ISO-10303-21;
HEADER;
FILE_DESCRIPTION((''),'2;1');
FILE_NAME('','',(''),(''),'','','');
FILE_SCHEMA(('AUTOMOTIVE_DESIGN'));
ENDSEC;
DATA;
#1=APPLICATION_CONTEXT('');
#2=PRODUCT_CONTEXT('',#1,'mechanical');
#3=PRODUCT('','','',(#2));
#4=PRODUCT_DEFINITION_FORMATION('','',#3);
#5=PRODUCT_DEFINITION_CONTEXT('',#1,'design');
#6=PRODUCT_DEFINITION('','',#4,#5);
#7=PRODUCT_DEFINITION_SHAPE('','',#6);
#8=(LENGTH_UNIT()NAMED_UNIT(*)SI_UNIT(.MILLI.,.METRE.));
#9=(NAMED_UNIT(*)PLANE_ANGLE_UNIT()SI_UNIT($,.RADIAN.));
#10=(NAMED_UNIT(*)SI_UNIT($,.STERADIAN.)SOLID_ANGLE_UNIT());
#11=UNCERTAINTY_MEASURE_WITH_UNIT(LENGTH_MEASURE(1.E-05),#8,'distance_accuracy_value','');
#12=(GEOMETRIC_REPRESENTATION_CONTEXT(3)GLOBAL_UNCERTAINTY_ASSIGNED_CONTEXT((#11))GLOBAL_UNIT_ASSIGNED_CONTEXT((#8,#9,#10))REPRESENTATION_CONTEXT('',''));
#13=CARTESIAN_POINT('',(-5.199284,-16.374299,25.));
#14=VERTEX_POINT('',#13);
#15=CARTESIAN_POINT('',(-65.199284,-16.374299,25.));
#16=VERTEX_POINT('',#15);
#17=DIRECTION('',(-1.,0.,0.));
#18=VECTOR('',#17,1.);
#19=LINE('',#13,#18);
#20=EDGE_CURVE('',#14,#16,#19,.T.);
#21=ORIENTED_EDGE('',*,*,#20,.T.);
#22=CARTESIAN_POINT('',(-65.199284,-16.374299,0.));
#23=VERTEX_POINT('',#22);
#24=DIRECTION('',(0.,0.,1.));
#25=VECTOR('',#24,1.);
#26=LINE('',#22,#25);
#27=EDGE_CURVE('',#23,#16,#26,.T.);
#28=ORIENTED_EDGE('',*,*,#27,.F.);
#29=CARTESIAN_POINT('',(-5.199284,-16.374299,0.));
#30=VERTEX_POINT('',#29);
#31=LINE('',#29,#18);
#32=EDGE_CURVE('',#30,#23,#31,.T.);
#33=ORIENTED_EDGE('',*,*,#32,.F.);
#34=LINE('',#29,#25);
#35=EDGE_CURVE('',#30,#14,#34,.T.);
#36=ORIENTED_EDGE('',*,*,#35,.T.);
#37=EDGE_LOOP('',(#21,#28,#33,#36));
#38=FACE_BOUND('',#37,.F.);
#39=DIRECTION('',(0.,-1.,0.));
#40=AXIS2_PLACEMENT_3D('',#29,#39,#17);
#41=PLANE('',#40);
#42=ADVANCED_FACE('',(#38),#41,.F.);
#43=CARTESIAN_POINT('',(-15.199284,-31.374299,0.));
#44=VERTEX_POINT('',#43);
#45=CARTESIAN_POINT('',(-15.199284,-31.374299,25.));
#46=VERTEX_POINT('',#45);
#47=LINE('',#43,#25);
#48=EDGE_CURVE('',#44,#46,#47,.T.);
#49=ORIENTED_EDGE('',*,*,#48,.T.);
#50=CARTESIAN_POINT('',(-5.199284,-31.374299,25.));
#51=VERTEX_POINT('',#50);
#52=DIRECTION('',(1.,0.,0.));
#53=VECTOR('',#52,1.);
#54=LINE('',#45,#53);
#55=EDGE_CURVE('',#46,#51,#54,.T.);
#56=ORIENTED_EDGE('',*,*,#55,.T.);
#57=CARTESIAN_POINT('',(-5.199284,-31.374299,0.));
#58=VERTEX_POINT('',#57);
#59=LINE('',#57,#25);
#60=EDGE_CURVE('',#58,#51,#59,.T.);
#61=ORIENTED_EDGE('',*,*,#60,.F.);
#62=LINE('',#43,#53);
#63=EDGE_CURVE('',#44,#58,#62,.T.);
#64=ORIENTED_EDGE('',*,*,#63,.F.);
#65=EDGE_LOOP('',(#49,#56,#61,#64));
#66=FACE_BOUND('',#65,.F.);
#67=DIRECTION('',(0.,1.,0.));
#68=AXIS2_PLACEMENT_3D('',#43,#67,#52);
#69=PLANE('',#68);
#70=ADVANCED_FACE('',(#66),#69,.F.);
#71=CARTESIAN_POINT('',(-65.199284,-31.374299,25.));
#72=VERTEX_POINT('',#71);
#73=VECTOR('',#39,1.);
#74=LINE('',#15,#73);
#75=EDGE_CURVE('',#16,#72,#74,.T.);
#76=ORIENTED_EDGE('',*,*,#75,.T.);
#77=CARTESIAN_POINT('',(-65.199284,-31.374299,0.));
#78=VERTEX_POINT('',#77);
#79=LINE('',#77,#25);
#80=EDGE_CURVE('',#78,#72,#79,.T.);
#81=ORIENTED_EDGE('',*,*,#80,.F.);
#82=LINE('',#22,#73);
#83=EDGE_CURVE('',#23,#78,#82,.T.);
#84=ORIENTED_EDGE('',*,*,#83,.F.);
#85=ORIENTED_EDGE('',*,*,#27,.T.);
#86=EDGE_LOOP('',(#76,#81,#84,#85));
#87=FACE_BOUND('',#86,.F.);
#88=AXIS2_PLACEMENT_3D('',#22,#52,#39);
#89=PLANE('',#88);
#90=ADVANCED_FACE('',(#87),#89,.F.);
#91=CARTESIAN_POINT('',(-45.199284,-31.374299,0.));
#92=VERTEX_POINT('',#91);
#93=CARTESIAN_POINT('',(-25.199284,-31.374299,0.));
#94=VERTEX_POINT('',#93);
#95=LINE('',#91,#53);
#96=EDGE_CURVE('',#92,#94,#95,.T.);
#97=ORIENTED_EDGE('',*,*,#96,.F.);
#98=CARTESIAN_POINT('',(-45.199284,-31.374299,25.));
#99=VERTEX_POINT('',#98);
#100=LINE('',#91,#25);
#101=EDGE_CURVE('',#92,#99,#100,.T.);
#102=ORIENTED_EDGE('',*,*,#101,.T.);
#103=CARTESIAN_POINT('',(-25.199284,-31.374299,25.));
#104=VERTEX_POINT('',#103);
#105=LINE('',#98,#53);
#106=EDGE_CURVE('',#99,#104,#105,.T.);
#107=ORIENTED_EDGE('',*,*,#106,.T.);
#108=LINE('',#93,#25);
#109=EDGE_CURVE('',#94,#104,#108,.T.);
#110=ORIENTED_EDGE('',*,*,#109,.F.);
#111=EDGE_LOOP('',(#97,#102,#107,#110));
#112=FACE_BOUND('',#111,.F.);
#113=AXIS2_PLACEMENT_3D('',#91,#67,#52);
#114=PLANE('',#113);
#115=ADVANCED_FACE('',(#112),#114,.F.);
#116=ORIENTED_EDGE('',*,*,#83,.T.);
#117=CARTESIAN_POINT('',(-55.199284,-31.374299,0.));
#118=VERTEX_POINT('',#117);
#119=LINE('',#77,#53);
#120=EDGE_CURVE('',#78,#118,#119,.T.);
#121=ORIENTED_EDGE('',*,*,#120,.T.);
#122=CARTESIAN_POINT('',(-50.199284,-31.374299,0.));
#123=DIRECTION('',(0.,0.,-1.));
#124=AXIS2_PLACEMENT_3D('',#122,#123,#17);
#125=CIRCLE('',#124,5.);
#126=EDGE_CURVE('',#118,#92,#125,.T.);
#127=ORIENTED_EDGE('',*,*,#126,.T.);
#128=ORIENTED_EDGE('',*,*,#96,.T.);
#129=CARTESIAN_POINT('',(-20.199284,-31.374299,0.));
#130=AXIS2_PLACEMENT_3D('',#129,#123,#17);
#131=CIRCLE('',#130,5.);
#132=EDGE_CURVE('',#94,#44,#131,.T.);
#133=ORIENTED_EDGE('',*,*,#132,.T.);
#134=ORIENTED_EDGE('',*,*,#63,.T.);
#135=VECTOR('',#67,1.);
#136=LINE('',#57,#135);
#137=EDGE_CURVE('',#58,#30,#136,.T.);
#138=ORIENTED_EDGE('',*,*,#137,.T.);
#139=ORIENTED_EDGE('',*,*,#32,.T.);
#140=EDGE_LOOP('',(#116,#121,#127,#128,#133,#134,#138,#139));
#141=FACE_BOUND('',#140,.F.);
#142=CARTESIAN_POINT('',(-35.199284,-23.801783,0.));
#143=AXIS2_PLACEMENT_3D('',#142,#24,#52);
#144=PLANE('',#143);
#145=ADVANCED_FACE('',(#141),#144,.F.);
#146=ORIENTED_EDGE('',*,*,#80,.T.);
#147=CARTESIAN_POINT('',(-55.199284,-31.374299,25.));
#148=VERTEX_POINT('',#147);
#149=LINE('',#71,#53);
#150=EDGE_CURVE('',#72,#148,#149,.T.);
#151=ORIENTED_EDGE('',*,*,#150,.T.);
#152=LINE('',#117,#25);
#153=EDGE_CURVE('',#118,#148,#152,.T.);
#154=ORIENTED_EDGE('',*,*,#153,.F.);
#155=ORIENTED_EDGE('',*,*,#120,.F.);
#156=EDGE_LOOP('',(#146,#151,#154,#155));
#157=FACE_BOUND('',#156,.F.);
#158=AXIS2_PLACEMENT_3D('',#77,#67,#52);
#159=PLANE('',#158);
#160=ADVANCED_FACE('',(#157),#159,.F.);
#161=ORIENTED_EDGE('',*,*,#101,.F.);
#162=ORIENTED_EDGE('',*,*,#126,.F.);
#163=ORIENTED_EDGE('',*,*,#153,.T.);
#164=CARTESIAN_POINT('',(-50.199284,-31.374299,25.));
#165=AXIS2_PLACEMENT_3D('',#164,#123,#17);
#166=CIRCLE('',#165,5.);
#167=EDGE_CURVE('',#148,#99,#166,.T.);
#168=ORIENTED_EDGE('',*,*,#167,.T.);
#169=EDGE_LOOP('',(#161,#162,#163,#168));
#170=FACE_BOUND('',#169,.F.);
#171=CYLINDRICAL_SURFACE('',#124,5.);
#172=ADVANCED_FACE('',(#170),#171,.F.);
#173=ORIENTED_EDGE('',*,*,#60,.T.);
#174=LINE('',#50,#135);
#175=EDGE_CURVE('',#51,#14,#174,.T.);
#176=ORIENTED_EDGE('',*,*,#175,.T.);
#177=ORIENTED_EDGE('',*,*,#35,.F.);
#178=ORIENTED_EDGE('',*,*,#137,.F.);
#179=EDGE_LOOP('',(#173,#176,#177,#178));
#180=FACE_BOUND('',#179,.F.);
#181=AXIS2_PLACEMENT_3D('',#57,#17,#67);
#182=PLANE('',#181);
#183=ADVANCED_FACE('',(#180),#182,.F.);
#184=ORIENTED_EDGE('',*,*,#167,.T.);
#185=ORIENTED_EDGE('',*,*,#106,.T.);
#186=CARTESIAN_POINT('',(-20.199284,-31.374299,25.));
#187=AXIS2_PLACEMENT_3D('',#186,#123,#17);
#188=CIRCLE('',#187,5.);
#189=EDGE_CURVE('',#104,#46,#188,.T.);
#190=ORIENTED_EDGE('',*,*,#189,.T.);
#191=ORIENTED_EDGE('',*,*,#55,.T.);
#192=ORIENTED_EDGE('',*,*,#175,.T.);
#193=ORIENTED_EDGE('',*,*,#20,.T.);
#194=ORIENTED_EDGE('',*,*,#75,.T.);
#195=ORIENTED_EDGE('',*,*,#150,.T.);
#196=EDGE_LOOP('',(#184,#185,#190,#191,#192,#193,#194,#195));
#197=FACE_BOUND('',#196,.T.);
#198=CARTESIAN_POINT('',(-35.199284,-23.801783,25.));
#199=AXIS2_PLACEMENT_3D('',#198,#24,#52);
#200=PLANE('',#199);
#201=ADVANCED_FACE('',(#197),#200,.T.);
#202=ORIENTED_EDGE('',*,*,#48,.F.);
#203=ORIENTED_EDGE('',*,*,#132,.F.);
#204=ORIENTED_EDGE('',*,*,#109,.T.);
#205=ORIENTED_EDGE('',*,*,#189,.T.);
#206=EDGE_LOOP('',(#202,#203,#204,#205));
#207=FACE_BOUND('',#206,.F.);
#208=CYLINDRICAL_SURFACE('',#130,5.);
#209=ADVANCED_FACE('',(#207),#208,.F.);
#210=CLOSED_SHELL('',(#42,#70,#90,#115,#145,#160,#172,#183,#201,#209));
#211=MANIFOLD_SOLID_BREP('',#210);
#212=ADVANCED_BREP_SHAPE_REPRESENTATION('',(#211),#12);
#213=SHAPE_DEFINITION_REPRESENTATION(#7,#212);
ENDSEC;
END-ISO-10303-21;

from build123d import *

# Parameters (mm, degrees)
F1_DEPTH = 25


with BuildPart() as f1:
    # F0 (on Top) → F1 (new body)
    with BuildSketch(Plane.XY):
        with BuildLine():
            Line((-5.199284, -16.374299), (-65.199284, -16.374299))
            Line((-65.199284, -16.374299), (-65.199284, -31.374299))
            Line((-65.199284, -31.374299), (-55.199284, -31.374299))
            ThreePointArc((-55.199284, -31.374299), (-50.199284, -26.374299), (-45.199284, -31.374299))
            Line((-45.199284, -31.374299), (-25.199284, -31.374299))
            ThreePointArc((-25.199284, -31.374299), (-20.199284, -26.374299), (-15.199284, -31.374299))
            Line((-15.199284, -31.374299), (-5.199284, -31.374299))
            Line((-5.199284, -31.374299), (-5.199284, -16.374299))
        make_face()
    extrude(amount=F1_DEPTH)


solid = f1.part
